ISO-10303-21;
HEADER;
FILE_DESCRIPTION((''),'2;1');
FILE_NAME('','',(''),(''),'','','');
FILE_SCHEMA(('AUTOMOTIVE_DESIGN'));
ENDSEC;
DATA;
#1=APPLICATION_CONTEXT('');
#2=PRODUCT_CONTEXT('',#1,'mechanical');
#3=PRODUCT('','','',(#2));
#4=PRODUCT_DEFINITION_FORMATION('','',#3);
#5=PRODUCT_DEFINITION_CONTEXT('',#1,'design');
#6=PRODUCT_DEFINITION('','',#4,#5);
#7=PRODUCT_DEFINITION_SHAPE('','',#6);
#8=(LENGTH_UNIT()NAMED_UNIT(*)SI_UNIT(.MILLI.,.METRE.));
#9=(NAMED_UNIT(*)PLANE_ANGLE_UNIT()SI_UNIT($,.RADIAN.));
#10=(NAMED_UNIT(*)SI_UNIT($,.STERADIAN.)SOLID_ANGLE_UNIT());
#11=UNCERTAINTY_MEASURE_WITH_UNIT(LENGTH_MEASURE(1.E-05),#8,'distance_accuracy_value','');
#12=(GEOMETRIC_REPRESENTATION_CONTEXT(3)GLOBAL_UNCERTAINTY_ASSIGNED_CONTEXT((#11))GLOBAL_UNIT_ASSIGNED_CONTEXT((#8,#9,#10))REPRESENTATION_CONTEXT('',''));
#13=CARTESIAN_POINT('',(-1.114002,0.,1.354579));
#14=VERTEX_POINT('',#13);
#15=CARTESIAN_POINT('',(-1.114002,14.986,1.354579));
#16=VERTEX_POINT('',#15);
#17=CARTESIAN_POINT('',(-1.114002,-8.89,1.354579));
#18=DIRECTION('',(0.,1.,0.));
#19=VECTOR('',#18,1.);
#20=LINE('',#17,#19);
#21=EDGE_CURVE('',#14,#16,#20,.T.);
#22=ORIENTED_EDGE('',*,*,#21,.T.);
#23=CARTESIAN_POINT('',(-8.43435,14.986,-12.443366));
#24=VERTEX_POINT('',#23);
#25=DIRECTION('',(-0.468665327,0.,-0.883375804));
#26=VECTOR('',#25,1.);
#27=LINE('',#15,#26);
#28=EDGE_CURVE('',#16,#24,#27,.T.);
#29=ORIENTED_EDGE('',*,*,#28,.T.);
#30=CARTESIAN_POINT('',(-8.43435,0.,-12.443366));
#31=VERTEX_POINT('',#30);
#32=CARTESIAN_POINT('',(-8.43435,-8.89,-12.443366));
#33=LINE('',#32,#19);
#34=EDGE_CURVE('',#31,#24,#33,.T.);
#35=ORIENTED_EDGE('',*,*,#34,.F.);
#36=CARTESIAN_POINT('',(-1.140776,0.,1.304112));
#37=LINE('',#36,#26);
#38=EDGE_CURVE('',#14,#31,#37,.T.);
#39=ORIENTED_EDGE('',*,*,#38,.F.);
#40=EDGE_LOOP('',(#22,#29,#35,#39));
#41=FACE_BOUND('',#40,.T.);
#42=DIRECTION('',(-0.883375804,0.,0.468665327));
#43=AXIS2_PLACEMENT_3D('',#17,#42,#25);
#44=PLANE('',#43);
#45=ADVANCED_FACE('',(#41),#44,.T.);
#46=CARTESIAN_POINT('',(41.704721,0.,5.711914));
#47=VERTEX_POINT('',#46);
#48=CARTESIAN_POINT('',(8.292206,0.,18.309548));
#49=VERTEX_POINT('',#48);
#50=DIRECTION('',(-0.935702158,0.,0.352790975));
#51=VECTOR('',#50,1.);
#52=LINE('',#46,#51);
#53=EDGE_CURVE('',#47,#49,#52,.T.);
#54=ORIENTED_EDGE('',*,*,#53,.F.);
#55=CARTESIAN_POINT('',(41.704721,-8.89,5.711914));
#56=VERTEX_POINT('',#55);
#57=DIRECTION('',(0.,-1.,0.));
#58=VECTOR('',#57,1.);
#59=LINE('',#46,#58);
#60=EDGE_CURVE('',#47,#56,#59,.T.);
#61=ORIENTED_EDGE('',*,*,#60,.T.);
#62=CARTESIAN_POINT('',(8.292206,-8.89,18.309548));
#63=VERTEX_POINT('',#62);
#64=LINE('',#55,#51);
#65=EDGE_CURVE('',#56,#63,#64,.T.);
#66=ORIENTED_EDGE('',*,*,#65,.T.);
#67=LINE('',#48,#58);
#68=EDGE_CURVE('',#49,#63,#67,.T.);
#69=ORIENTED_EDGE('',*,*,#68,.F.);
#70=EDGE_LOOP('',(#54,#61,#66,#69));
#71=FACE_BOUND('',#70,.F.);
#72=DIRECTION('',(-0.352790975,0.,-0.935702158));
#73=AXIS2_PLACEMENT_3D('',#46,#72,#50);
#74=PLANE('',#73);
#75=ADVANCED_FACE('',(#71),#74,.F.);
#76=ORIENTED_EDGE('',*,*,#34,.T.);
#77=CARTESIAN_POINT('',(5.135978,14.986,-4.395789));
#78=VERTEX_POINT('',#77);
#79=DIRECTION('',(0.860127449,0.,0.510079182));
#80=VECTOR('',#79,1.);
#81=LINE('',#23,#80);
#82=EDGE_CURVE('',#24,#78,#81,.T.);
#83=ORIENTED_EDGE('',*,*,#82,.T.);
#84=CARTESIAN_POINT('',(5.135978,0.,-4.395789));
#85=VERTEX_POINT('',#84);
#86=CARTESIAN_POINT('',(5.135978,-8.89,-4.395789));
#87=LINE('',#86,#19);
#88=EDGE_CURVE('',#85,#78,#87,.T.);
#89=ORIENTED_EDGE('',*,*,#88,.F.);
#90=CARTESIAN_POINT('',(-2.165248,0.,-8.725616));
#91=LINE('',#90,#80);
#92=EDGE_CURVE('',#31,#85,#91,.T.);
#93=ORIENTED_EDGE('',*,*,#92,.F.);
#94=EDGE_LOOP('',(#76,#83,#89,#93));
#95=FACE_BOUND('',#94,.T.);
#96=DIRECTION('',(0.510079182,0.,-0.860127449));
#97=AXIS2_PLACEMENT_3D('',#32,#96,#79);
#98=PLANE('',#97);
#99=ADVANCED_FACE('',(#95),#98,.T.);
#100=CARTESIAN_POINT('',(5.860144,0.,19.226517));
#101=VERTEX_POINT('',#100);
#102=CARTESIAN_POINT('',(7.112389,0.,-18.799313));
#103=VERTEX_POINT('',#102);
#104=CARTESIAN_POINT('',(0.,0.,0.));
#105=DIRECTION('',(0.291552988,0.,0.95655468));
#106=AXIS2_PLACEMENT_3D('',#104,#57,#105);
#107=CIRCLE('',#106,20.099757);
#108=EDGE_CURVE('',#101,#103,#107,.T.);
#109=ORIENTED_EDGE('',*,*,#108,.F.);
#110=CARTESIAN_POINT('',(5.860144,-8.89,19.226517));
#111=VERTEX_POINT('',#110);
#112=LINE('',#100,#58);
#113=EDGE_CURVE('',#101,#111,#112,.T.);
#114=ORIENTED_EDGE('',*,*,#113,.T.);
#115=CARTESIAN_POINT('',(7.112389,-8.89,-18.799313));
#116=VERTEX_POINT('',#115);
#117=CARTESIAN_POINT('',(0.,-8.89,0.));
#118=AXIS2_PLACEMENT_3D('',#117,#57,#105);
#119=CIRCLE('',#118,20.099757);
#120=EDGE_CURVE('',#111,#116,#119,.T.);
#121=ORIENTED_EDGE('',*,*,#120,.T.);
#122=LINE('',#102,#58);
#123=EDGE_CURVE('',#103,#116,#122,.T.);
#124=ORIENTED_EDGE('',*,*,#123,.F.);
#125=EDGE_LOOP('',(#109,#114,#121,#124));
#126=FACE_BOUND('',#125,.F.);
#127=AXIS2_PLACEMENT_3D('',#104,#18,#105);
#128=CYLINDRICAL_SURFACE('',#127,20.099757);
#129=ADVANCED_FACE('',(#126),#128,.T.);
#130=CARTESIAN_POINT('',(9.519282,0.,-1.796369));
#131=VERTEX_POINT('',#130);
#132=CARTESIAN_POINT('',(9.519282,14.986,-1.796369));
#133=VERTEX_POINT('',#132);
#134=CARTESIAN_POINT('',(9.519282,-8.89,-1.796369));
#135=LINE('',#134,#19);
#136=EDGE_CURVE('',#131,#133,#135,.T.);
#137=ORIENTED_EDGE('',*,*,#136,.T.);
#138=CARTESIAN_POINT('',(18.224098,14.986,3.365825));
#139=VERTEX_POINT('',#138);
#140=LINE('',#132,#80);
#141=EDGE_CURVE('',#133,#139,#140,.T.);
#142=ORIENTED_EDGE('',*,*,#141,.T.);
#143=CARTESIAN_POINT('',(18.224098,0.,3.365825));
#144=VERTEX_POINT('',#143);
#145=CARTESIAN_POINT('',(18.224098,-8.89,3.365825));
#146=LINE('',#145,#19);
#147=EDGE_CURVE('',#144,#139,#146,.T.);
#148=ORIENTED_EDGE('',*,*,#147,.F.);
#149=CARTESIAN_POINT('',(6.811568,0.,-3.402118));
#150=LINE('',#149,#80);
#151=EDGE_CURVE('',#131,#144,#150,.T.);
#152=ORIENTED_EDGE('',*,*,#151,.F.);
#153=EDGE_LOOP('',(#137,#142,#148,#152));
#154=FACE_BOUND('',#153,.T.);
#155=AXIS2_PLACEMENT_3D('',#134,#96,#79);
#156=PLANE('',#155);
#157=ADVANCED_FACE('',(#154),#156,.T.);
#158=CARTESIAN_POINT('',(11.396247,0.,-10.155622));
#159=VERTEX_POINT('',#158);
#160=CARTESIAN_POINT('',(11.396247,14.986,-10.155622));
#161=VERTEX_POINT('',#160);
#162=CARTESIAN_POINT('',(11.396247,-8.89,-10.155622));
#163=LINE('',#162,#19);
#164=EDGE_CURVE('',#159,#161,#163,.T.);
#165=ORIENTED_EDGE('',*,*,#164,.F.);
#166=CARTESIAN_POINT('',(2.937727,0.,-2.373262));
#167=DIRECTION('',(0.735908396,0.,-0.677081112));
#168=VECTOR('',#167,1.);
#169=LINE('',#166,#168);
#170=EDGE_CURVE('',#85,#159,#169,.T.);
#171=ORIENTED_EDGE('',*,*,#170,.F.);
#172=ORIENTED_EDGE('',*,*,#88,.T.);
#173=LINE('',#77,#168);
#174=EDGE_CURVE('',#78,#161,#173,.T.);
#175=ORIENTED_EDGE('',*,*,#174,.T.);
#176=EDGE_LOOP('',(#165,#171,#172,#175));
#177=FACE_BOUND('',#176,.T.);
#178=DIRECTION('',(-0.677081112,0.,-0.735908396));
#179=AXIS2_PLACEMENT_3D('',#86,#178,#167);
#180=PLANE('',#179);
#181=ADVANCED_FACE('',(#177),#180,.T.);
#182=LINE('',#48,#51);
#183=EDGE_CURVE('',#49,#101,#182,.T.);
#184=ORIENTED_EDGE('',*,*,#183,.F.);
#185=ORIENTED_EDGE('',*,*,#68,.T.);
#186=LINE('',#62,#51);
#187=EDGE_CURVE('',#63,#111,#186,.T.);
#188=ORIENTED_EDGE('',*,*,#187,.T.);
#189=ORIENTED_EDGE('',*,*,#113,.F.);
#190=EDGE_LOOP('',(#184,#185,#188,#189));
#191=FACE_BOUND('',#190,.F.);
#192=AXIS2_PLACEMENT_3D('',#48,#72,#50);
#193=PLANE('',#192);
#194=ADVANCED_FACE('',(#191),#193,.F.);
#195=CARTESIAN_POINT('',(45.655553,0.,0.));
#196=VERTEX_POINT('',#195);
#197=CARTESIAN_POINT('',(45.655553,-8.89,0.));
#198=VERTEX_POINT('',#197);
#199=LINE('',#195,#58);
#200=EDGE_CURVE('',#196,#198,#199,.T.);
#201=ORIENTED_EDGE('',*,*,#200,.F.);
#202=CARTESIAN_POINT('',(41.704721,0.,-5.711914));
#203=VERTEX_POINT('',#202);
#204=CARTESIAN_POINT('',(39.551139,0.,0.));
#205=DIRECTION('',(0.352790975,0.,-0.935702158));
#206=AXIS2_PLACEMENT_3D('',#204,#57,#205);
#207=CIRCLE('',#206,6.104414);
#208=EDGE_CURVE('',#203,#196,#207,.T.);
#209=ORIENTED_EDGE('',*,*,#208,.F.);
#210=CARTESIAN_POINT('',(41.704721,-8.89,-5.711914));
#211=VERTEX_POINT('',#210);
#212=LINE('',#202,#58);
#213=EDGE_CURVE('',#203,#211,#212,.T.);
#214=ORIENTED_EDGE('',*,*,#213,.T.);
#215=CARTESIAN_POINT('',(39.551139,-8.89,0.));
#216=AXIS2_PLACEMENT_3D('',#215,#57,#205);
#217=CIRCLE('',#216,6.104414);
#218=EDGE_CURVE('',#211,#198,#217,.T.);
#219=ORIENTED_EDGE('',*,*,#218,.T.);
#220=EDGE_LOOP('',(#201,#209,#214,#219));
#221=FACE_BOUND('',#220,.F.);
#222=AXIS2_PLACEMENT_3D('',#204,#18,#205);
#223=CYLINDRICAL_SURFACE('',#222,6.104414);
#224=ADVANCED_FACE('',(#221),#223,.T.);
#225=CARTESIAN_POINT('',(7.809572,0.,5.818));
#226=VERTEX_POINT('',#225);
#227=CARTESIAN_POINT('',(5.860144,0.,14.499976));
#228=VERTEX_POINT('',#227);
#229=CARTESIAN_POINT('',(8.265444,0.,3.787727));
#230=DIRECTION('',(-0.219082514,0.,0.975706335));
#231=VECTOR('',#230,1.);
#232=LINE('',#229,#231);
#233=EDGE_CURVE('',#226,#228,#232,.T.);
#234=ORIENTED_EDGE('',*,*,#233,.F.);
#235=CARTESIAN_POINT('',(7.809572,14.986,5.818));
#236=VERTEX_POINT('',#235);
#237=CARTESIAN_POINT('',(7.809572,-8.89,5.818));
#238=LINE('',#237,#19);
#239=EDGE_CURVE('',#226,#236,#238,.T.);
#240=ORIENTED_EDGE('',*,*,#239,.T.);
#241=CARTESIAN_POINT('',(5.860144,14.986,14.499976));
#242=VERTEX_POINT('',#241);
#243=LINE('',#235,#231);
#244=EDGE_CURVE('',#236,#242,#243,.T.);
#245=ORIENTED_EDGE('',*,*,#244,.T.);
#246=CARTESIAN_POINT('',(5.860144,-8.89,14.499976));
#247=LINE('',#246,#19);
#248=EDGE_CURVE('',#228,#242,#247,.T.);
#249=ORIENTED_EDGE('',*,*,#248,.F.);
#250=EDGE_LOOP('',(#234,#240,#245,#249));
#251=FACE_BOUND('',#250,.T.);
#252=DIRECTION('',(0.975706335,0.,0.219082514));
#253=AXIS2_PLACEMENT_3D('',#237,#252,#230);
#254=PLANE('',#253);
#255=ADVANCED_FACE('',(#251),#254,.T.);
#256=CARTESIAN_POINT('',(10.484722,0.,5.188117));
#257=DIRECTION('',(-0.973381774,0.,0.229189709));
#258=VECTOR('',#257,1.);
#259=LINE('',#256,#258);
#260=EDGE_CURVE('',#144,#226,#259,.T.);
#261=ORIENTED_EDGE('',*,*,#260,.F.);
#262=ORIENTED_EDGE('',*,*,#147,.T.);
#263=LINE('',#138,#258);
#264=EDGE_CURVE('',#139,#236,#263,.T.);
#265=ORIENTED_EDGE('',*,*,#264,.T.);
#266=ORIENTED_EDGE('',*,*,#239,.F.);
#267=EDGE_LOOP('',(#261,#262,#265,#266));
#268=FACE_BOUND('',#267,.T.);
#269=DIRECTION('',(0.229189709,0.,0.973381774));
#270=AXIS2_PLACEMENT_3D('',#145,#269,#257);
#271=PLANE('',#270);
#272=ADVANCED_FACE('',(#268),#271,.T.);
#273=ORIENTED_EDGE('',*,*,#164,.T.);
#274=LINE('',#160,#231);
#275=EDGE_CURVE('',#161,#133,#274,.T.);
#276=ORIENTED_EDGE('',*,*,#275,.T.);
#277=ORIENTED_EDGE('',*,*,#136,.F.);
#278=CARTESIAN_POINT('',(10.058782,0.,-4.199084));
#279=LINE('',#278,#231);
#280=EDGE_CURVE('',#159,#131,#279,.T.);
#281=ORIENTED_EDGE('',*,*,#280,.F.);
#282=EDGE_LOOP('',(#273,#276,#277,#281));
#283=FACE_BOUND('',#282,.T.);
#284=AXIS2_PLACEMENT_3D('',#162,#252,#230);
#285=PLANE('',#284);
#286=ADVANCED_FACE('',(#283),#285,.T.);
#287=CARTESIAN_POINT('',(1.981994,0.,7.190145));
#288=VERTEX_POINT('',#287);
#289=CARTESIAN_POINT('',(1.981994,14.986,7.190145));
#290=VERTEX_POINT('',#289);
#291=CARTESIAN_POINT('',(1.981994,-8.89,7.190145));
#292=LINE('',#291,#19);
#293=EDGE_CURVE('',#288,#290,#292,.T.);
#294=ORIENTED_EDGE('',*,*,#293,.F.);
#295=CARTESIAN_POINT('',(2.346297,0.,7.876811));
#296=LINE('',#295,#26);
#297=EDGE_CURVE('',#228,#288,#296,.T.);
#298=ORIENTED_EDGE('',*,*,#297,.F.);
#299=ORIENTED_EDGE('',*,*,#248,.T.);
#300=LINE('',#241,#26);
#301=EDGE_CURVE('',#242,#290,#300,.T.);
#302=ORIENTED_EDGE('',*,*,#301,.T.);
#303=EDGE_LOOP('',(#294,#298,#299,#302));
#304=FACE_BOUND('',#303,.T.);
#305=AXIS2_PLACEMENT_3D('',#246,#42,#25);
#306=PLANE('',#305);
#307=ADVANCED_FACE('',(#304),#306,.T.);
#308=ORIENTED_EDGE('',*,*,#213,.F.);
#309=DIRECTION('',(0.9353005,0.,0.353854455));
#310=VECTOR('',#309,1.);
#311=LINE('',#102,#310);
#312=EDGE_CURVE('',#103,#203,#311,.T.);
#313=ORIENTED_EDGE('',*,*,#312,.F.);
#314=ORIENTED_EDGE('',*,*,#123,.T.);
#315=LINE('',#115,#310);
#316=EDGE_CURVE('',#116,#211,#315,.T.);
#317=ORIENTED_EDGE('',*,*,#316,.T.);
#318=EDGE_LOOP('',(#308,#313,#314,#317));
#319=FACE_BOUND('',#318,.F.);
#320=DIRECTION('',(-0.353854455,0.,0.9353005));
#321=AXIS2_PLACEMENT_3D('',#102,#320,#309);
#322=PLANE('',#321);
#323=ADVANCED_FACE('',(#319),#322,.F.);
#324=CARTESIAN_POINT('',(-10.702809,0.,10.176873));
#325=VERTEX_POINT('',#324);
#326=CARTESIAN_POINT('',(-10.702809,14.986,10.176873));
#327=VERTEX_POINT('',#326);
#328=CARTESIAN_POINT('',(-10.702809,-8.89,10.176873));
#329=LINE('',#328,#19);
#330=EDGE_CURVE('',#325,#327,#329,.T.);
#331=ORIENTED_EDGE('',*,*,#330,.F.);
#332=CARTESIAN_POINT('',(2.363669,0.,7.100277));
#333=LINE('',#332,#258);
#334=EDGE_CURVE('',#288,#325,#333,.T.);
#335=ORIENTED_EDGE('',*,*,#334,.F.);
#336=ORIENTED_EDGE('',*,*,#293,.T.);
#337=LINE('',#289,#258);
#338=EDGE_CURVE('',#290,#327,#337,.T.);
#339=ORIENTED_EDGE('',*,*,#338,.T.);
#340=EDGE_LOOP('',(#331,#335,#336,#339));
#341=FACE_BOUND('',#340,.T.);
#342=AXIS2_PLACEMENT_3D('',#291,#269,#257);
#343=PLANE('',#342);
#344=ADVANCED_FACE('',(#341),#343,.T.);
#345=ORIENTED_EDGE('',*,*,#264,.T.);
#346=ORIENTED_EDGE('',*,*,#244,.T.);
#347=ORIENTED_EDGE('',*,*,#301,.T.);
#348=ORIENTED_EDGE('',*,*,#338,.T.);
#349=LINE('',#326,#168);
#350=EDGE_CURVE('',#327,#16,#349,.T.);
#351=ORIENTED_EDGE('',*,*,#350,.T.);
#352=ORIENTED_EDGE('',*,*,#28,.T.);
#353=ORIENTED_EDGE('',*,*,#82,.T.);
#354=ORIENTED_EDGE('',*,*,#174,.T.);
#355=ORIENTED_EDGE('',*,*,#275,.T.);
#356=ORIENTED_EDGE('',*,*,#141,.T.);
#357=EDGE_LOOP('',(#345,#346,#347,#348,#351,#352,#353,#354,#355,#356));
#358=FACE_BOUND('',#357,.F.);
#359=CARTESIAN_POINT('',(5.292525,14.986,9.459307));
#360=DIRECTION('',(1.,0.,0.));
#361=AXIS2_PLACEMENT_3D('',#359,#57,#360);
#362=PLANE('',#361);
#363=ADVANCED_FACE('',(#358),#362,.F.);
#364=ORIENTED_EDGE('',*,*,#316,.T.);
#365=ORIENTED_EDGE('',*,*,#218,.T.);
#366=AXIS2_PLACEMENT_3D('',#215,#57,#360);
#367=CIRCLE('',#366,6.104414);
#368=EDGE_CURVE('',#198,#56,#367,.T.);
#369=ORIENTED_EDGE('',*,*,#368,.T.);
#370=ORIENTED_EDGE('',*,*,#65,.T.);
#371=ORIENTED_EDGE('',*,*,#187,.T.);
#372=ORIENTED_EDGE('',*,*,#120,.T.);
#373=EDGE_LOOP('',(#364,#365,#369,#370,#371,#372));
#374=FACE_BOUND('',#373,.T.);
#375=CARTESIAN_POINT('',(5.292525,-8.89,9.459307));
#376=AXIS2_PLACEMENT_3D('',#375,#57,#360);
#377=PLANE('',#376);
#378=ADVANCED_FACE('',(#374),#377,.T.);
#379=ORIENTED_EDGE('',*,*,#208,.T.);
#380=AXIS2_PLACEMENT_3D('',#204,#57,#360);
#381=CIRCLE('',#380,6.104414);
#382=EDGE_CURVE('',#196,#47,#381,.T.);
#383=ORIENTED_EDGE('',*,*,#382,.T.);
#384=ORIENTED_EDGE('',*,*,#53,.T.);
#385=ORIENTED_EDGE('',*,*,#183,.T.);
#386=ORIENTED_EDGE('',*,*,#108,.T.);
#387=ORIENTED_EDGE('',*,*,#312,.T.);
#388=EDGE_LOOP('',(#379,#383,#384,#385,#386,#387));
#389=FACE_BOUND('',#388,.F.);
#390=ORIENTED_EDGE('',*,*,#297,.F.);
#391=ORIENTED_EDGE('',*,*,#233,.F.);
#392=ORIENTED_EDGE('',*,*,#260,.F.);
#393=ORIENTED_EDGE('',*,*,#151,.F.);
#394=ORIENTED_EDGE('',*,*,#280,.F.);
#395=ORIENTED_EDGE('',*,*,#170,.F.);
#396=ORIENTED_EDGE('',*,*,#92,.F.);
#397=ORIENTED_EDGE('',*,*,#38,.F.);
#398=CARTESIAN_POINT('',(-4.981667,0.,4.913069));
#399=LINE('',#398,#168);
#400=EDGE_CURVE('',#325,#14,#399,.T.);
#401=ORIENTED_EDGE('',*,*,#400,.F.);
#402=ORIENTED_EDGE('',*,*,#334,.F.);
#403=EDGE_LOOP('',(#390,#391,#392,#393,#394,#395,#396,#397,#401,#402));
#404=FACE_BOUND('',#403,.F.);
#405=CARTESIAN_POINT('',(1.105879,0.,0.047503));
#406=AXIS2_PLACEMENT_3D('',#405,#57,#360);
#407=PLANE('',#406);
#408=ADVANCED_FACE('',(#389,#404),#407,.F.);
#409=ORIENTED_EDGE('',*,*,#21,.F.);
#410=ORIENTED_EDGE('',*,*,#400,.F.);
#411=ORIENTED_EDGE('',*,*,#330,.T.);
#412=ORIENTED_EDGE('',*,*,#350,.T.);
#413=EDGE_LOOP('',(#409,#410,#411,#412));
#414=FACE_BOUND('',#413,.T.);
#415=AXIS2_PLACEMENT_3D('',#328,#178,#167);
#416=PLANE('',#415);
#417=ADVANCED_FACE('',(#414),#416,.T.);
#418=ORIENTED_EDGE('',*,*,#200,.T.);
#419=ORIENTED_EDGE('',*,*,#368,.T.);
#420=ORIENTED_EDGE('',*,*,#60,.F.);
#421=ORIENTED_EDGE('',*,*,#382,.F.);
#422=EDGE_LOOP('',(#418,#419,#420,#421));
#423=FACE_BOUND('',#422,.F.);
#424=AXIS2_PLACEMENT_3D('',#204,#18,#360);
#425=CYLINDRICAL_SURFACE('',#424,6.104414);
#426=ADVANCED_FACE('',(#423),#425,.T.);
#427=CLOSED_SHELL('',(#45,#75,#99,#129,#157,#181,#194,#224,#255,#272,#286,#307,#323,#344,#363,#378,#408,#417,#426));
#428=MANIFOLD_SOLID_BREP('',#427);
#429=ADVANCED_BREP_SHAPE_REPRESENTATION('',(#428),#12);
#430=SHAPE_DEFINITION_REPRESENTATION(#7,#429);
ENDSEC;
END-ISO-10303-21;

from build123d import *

# Parameters (mm, degrees)
F1_DEPTH = 8.89
F3_DEPTH = 23.876


with BuildPart() as f1:
    # F0 (on Front) → F1 (new body)
    with BuildSketch(Plane.XZ):
        with BuildLine():
            Line((8.2922062962, 18.3095482144), (5.8601442877, 19.2265168453))
            ThreePointArc((5.8601442877, 19.2265168453), (-20.0888672231, -0.6615548125), (7.1123886499, -18.7993129866))
            ThreePointArc((7.1123886499, -18.7993129866), (16.5371933279, -11.4245996827), (20.0997572392, 0))
            ThreePointArc((20.0997572392, 0), (16.8918852501, 10.8933215216), (8.2922062962, 18.3095482144))
        make_face()
        with BuildLine():
            ThreePointArc((20.0997572392, 0), (16.5371933279, -11.4245996827), (7.1123886499, -18.7993129866))
            Line((7.1123886499, -18.7993129866), (41.7047212119, -5.7119138))
            ThreePointArc((41.7047212119, -5.7119138), (33.4467243991, 0), (41.7047212119, 5.7119138))
            Line((41.7047212119, 5.7119138), (8.2922062962, 18.3095482144))
            ThreePointArc((8.2922062962, 18.3095482144), (16.8918852501, 10.8933215216), (20.0997572392, 0))
        make_face()
        with BuildLine():
            ThreePointArc((41.7047212119, 5.7119138), (33.4467243991, 0), (41.7047212119, -5.7119138))
            Line((41.7047212119, -5.7119138), (41.7047212119, 5.7119138))
        make_face()
        with BuildLine():
            Line((41.7047212119, 5.7119138), (41.7047212119, -5.7119138))
            ThreePointArc((41.7047212119, -5.7119138), (44.5716087418, -3.4725723137), (45.6555533566, 0))
            ThreePointArc((45.6555533566, 0), (44.5716087418, 3.4725723137), (41.7047212119, 5.7119138))
        make_face()
    extrude(amount=F1_DEPTH)

    # F2 (on face) → F3 (join)
    with BuildSketch(Plane.XZ.offset(8.89)):
        Polygon((5.8601442877, 14.4999762997), (1.981993678, 7.1901451267), (7.8095722297, 5.8180000225), align=None)
        Polygon((7.8095722297, 5.8180000225), (1.981993678, 7.1901451267), (-1.1140019774, 1.3545786852), (5.1359782959, -4.3957886373), (9.519282463, -1.7963689762), align=None)
        Polygon((1.981993678, 7.1901451267), (-10.7028093189, 10.1768728346), (-1.1140019774, 1.3545786852), align=None)
        Polygon((5.1359782959, -4.3957886373), (-1.1140019774, 1.3545786852), (-8.434349671, -12.4433655292), align=None)
        Polygon((9.519282463, -1.7963689762), (5.1359782959, -4.3957886373), (11.3962469622, -10.1556219161), align=None)
        Polygon((18.2240977883, 3.365825396), (7.8095722297, 5.8180000225), (9.519282463, -1.7963689762), align=None)
    extrude(amount=-F3_DEPTH)


solid = f1.part
